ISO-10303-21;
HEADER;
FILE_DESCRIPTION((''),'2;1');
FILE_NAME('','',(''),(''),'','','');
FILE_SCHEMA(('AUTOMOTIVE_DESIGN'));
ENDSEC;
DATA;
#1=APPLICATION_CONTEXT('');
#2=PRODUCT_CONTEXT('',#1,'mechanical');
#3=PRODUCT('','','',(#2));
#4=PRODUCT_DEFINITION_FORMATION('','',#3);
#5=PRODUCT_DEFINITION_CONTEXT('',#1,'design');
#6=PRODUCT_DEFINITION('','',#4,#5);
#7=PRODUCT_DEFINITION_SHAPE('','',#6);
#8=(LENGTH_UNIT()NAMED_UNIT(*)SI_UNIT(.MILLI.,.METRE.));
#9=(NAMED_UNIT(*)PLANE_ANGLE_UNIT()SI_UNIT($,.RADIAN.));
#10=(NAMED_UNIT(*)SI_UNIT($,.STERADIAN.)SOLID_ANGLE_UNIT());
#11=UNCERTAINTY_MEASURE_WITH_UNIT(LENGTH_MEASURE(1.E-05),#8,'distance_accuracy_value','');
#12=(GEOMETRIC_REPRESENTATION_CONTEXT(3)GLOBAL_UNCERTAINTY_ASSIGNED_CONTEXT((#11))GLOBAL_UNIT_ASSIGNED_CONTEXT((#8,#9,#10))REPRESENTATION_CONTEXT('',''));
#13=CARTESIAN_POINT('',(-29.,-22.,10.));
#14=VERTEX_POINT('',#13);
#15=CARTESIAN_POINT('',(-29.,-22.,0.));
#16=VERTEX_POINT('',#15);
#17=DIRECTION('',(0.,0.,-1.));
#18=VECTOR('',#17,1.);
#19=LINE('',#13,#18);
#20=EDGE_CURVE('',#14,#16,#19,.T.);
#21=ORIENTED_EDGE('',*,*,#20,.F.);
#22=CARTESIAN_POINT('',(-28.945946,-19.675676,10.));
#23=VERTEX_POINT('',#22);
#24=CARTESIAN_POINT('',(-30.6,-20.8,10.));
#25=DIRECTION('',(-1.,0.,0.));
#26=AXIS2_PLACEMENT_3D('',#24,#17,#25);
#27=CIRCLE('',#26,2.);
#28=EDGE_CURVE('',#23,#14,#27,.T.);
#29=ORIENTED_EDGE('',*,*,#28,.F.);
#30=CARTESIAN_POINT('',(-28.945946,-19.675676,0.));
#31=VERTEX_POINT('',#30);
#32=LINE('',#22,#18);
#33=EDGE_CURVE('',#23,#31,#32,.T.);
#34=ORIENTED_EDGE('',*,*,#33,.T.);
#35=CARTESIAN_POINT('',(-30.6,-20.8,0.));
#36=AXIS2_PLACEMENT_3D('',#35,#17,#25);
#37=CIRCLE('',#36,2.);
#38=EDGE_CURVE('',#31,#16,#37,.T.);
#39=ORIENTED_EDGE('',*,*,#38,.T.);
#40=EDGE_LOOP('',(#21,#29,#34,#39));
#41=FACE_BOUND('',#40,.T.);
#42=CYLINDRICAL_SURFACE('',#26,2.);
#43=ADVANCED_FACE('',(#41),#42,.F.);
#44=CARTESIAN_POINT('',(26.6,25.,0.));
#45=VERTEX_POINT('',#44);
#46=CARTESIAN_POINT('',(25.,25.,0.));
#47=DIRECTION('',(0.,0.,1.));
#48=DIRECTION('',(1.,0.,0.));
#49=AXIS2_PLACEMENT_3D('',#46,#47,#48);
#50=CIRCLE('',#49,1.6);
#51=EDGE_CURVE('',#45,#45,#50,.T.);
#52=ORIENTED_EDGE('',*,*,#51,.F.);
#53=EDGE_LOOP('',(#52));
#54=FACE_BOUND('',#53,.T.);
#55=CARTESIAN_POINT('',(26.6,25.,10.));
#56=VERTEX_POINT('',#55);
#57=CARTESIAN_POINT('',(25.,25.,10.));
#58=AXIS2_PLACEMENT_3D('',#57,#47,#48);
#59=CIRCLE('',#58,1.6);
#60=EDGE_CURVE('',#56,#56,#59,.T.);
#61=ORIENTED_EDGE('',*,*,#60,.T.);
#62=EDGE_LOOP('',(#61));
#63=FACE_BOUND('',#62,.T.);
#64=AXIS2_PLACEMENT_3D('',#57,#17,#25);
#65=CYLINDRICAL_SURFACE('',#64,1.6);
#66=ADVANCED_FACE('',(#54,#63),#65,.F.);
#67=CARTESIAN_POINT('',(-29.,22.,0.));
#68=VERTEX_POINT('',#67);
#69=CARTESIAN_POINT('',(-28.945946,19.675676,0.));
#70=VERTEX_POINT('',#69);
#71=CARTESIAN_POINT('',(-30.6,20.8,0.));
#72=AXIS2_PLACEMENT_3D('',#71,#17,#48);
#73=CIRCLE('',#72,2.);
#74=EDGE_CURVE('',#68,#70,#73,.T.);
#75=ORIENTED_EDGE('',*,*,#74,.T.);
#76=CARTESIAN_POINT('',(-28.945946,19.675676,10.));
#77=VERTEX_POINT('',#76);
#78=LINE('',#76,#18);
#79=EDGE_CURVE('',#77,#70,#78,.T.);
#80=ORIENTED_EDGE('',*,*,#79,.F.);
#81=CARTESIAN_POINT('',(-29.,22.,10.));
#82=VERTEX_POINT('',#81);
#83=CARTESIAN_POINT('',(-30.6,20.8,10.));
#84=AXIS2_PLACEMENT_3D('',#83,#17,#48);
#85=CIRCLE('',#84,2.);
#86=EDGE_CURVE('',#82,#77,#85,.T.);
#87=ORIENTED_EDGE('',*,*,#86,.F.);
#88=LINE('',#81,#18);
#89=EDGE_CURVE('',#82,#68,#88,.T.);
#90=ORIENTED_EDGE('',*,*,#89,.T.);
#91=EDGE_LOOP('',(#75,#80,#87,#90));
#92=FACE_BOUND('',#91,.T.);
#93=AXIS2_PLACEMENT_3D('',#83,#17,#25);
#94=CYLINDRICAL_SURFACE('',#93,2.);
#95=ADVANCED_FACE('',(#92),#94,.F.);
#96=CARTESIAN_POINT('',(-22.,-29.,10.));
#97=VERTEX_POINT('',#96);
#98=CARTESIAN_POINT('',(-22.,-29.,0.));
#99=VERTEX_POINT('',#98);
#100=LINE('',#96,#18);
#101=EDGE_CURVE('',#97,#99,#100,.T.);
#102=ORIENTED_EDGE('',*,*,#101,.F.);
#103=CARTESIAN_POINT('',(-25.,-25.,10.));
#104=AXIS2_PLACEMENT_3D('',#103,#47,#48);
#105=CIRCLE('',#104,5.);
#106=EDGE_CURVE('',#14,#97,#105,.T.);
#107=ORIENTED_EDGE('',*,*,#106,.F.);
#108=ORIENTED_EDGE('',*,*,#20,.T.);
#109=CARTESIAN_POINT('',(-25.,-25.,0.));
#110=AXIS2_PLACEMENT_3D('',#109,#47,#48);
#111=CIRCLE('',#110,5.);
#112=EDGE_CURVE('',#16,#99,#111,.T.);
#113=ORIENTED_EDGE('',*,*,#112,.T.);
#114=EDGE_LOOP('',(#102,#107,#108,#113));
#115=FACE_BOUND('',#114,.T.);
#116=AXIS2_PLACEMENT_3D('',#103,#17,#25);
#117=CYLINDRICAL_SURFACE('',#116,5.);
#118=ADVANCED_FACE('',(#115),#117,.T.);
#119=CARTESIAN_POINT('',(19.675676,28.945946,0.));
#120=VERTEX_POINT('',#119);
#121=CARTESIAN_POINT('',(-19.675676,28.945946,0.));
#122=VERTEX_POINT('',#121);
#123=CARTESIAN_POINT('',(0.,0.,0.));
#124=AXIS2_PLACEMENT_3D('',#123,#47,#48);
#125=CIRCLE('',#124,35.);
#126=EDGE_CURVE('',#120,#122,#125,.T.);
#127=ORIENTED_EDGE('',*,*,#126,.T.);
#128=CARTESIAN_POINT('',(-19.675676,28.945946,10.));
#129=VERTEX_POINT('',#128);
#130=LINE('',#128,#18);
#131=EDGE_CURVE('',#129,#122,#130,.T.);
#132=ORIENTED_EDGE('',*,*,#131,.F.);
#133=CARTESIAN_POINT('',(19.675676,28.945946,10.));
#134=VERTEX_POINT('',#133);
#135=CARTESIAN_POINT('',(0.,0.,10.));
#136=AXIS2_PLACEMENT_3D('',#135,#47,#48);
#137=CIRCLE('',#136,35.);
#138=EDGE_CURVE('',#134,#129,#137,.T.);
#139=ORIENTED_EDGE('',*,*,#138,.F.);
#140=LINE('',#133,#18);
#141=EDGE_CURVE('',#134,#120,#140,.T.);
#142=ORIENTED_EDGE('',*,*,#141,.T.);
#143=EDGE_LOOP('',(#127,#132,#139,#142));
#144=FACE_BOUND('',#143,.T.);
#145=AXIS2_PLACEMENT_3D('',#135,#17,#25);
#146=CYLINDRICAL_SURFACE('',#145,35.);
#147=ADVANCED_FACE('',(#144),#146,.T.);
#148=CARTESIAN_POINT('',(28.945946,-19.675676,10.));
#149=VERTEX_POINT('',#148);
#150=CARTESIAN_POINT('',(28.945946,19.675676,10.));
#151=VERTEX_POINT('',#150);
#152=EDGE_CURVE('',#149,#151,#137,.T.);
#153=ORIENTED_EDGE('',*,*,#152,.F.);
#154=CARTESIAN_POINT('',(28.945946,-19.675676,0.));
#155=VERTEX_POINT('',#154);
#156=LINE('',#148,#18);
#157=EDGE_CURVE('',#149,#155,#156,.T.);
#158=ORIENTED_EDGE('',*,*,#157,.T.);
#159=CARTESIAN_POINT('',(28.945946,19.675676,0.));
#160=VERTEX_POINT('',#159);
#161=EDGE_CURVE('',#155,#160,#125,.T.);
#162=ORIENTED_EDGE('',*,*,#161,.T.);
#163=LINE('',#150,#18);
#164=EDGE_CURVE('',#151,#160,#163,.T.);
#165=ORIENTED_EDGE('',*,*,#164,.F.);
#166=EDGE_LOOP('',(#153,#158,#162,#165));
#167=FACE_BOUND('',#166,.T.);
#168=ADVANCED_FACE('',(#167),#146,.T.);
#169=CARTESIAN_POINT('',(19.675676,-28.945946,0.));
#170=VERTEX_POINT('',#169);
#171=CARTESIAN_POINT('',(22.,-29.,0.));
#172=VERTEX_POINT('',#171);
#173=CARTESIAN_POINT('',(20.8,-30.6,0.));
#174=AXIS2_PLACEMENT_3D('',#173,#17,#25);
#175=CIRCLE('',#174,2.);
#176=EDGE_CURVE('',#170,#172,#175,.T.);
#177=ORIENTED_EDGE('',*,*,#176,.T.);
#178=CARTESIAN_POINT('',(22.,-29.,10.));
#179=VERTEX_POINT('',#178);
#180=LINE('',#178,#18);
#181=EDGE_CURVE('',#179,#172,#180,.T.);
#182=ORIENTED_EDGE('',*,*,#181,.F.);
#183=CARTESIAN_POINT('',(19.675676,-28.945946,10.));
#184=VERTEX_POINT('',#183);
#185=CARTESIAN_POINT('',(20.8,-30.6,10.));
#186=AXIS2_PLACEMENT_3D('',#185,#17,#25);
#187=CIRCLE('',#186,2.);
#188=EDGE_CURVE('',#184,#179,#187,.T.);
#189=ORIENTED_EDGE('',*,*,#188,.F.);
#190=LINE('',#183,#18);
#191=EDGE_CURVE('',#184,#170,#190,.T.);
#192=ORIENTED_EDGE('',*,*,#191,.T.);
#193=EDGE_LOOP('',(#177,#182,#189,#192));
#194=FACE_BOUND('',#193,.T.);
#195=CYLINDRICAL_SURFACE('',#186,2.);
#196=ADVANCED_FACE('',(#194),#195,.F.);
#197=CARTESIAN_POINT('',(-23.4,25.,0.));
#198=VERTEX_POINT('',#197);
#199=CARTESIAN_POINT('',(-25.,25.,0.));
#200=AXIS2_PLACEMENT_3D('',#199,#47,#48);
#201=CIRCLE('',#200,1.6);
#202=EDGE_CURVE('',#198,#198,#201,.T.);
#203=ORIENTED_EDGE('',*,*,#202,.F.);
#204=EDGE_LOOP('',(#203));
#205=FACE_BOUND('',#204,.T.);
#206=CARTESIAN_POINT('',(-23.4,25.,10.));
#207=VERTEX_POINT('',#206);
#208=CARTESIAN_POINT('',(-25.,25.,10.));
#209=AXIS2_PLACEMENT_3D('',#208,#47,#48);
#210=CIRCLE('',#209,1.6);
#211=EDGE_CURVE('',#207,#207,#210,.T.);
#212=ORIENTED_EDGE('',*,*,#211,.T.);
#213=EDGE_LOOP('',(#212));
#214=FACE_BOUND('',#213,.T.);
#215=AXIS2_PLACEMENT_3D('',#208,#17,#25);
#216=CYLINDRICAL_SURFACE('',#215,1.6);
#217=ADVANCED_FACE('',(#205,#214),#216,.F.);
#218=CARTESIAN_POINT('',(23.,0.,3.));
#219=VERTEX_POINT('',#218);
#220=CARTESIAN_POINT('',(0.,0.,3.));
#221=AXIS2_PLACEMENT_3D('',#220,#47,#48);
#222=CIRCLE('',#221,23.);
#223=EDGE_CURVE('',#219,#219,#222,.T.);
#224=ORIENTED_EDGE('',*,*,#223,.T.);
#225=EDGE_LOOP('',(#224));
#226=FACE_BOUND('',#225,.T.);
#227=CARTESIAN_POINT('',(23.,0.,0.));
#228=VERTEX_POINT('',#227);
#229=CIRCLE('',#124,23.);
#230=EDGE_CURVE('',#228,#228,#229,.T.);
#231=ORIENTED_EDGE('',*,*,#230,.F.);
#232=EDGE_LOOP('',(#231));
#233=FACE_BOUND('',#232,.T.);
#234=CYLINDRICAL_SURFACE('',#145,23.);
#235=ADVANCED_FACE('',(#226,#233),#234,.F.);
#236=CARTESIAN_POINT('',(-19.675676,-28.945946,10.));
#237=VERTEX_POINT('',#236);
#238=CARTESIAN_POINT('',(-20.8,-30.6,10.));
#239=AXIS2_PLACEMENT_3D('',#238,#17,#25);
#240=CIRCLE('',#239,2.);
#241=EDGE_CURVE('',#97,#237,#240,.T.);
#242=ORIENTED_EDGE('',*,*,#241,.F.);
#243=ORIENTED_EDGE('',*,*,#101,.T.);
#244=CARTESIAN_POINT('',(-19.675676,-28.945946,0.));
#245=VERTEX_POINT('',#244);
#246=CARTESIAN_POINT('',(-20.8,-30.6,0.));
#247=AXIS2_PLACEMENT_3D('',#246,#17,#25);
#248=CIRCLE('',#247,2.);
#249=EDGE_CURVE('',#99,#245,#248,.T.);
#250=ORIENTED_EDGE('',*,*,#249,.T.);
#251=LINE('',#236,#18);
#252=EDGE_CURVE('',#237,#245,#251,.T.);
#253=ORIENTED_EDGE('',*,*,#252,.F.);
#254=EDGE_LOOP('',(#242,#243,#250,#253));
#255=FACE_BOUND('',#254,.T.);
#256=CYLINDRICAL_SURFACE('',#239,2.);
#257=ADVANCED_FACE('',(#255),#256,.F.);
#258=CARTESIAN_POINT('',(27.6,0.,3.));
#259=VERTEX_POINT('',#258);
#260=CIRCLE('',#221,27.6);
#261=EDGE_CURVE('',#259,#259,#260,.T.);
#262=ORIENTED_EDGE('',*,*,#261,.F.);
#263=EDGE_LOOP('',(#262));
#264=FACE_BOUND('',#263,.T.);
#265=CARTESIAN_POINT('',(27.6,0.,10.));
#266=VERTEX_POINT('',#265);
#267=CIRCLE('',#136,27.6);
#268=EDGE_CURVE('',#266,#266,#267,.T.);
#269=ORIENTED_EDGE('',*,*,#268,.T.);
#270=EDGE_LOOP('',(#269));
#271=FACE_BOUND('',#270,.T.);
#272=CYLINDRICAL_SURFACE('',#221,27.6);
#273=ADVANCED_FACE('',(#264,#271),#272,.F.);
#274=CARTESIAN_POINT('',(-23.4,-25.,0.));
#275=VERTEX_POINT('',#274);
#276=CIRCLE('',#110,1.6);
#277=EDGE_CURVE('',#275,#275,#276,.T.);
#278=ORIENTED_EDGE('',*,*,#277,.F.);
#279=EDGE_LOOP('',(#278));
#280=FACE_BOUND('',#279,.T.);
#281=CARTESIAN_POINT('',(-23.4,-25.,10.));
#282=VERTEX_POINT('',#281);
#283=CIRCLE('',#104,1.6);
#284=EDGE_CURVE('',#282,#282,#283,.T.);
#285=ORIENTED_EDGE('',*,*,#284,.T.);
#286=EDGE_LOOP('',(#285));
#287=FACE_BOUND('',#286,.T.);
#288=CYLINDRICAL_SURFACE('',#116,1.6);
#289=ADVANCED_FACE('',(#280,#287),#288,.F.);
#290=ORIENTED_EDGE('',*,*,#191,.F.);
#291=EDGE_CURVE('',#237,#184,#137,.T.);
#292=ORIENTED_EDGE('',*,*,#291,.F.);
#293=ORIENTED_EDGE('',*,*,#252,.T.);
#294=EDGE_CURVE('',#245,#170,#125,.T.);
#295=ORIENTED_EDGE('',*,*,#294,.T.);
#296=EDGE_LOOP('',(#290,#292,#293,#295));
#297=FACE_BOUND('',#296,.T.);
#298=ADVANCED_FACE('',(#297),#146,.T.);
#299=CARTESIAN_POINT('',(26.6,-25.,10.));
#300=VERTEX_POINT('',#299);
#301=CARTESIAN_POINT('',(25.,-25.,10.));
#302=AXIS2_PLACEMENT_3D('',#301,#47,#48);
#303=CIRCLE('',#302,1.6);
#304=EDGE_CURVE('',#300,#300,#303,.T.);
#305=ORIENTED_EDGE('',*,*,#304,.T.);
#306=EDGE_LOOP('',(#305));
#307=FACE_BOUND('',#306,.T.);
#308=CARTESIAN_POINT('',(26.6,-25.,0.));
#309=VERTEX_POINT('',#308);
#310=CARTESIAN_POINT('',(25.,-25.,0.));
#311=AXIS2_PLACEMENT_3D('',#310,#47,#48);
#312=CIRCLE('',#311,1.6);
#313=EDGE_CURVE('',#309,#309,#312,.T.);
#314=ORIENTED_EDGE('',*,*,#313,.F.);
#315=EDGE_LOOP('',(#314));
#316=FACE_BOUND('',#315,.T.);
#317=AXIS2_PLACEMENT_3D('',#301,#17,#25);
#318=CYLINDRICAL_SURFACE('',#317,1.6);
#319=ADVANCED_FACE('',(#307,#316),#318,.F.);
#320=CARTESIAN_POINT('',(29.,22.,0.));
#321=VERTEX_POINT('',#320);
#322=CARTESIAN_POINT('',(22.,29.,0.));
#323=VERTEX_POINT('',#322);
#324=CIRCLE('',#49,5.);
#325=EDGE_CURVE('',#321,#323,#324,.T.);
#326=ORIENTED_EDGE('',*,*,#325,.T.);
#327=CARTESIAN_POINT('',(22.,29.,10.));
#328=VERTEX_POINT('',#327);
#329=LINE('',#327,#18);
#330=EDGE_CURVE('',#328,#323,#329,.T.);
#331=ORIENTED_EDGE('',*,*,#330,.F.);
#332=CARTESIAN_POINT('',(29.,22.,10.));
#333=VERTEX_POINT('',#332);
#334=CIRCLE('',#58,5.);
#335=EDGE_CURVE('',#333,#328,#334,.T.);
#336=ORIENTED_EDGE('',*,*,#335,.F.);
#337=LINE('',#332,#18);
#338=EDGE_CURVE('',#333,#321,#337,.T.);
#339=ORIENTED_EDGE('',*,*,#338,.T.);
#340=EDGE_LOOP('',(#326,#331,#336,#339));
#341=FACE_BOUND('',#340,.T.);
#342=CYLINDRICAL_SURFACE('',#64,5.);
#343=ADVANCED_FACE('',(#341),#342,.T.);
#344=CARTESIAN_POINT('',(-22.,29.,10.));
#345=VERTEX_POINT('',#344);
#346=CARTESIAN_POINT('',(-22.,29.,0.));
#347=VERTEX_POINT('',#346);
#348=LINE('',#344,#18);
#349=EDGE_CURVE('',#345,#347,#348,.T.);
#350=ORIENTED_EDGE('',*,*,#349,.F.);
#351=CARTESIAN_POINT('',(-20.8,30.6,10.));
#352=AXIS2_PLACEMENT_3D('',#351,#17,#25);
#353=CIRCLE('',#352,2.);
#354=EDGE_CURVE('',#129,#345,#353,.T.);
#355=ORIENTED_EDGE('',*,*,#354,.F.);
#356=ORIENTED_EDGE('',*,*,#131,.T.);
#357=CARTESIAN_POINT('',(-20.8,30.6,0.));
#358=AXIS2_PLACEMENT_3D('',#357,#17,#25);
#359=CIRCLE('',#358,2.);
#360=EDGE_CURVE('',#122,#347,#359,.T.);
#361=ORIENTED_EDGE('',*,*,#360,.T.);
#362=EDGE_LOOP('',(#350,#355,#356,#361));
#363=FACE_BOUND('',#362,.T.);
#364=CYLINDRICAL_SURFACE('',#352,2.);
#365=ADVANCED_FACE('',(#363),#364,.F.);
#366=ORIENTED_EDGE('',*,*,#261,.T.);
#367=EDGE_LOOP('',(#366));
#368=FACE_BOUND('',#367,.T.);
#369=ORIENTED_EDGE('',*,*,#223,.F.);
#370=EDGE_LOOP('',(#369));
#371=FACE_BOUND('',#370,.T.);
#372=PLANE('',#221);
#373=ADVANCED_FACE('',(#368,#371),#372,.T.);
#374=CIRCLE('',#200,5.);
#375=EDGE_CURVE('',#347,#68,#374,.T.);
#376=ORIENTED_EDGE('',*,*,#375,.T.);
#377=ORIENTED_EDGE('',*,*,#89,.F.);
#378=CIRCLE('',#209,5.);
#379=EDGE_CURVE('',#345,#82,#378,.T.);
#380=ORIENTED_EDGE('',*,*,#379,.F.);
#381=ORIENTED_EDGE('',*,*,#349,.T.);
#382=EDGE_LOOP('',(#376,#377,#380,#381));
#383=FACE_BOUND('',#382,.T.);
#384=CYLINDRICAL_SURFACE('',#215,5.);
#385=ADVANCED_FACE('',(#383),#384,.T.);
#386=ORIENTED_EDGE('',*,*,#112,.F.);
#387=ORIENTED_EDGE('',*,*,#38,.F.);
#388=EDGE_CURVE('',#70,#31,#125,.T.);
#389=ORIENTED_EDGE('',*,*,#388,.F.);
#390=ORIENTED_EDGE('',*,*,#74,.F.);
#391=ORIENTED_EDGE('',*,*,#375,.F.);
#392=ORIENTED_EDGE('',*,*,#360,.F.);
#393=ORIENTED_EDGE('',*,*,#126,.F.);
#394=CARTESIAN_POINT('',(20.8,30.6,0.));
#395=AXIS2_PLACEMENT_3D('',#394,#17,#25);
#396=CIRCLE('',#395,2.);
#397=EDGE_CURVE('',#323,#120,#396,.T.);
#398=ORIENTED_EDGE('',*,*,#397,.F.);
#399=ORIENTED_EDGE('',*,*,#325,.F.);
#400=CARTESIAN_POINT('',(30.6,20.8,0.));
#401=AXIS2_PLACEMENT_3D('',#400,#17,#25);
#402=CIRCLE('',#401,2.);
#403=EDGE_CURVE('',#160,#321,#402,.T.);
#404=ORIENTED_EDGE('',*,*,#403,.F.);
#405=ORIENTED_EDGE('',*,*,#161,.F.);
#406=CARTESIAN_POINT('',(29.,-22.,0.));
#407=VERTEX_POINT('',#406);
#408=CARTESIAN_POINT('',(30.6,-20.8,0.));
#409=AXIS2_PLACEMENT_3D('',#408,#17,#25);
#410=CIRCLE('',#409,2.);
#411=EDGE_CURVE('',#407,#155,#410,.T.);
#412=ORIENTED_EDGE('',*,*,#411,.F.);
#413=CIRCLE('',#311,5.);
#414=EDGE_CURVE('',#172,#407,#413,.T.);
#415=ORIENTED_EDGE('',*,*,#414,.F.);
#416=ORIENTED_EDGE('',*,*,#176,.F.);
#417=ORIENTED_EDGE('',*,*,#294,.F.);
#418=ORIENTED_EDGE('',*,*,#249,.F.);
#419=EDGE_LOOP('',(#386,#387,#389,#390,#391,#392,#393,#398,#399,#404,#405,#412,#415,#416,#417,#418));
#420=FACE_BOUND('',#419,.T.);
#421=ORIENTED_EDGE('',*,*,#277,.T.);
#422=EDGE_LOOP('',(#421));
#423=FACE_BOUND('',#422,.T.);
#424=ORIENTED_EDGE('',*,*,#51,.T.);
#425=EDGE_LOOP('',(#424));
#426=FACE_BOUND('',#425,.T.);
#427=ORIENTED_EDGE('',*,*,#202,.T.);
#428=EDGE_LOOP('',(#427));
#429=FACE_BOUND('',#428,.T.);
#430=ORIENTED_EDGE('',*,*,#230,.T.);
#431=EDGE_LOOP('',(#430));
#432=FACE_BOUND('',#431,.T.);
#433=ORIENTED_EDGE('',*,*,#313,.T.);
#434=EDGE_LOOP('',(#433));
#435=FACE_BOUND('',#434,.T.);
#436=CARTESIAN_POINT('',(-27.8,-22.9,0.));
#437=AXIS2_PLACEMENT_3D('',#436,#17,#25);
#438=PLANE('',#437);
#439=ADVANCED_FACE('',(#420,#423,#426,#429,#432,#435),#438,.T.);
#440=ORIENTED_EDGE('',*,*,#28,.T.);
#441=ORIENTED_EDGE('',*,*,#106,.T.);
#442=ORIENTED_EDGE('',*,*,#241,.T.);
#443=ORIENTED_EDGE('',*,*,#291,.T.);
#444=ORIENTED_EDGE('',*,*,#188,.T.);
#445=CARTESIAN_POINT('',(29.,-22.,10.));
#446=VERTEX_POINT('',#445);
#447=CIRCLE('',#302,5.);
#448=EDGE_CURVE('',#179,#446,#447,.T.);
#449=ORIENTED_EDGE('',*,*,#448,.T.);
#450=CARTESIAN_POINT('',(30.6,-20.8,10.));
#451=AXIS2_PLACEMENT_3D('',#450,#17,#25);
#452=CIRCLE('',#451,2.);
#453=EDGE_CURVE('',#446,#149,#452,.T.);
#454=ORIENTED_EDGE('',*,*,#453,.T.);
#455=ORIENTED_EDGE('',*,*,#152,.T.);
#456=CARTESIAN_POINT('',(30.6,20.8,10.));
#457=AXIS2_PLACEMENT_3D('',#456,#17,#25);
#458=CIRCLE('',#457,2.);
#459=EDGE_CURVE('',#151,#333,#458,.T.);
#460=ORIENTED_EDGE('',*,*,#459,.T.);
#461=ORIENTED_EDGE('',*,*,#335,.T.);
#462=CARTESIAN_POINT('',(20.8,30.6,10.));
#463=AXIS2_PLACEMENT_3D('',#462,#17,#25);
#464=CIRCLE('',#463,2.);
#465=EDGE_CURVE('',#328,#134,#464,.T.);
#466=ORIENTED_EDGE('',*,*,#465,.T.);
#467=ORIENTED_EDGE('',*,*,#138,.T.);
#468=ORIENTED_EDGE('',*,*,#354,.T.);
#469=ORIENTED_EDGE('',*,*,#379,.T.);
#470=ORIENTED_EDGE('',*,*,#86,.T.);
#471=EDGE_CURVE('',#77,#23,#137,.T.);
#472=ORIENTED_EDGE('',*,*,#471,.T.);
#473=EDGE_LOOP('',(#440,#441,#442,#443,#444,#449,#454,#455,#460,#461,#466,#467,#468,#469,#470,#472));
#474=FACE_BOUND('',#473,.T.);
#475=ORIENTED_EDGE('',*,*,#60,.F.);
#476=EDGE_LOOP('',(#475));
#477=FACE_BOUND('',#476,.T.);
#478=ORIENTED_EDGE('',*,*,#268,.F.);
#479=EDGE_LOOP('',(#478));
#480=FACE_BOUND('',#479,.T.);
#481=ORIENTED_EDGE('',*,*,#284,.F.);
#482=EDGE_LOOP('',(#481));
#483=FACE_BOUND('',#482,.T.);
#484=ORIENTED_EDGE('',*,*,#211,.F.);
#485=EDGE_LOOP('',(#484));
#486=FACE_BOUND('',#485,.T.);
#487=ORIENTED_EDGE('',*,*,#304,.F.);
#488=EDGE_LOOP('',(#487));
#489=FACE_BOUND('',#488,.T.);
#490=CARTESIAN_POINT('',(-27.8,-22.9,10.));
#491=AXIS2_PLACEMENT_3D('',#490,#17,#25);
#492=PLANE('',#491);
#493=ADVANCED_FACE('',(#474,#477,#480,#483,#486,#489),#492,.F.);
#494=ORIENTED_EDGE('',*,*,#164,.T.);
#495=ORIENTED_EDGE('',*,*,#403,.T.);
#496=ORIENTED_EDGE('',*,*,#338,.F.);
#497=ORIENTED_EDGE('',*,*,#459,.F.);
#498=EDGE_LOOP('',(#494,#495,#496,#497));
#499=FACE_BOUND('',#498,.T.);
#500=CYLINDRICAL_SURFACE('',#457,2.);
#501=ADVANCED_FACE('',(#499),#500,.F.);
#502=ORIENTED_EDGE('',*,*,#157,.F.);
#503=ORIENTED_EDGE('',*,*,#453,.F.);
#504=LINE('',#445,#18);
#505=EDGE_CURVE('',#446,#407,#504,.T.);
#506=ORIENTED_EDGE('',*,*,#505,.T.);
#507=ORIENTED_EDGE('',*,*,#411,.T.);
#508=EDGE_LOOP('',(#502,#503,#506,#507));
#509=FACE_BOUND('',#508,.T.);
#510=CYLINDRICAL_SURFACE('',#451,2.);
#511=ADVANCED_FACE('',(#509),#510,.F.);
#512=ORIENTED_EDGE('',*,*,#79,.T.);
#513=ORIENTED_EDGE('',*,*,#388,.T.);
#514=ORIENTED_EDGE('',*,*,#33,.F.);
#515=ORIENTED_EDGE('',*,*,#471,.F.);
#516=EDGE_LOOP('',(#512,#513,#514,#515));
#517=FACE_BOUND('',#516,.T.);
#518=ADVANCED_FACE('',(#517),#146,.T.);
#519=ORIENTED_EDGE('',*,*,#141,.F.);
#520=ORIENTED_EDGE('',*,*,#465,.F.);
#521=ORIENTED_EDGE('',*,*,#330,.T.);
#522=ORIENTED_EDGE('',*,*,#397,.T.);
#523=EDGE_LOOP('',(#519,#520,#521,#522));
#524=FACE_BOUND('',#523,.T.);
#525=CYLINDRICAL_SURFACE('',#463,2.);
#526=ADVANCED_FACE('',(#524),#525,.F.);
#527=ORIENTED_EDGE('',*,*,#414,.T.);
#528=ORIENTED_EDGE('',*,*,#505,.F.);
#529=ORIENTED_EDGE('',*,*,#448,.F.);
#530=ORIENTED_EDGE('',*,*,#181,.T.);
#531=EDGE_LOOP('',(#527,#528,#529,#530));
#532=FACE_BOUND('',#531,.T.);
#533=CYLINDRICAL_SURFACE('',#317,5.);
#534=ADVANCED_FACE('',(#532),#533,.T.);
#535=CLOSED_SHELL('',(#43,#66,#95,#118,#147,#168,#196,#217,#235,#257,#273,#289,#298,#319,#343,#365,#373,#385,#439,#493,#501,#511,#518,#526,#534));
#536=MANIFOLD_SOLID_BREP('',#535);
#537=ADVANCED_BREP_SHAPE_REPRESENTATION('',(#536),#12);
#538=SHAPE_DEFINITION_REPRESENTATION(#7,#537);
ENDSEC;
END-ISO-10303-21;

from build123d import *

# Parameters (mm, degrees)
SKETCH1_R           = 23
SKETCH1_R_2         = 1.6
BOSS_EXTRUDE1_DEPTH = 10
SKETCH2_R           = 27.6
CUT_EXTRUDE1_DEPTH  = 7


with BuildPart() as part:
    # Sketch1 → Boss-Extrude1 (new body)
    with BuildSketch(Plane.XY):
        with BuildLine():
            ThreePointArc((-28.945945946, 19.675675676), (-35, 0), (-28.945945946, -19.675675676))
            ThreePointArc((-28.945945946, -19.675675676), (-28.600540614, -20.846499055), (-29, -22))
            ThreePointArc((-29, -22), (-28.535533906, -28.535533906), (-22, -29))
            ThreePointArc((-22, -29), (-20.846499055, -28.600540614), (-19.675675676, -28.945945946))
            ThreePointArc((-19.675675676, -28.945945946), (0, -35), (19.675675676, -28.945945946))
            ThreePointArc((19.675675676, -28.945945946), (20.846499055, -28.600540614), (22, -29))
            ThreePointArc((22, -29), (28.535533906, -28.535533906), (29, -22))
            ThreePointArc((29, -22), (28.600540614, -20.846499055), (28.945945946, -19.675675676))
            ThreePointArc((28.945945946, -19.675675676), (35, 0), (28.945945946, 19.675675676))
            ThreePointArc((28.945945946, 19.675675676), (28.600540614, 20.846499055), (29, 22))
            ThreePointArc((29, 22), (28.535533906, 28.535533906), (22, 29))
            ThreePointArc((22, 29), (20.846499055, 28.600540614), (19.675675676, 28.945945946))
            ThreePointArc((19.675675676, 28.945945946), (0, 35), (-19.675675676, 28.945945946))
            ThreePointArc((-19.675675676, 28.945945946), (-20.846499055, 28.600540614), (-22, 29))
            ThreePointArc((-22, 29), (-28.535533906, 28.535533906), (-29, 22))
            ThreePointArc((-29, 22), (-28.600540614, 20.846499055), (-28.945945946, 19.675675676))
        make_face()
        Circle(SKETCH1_R, mode=Mode.SUBTRACT)
        with Locations((-25, 25)):
            Circle(SKETCH1_R_2, mode=Mode.SUBTRACT)
        with Locations((25, 25)):
            Circle(SKETCH1_R_2, mode=Mode.SUBTRACT)
        with Locations((-25, -25)):
            Circle(SKETCH1_R_2, mode=Mode.SUBTRACT)
        with Locations((25, -25)):
            Circle(SKETCH1_R_2, mode=Mode.SUBTRACT)
    extrude(amount=BOSS_EXTRUDE1_DEPTH)

    # Sketch2 → Cut-Extrude1 (cut)
    with BuildSketch(Plane.XY.offset(10)):
        Circle(SKETCH2_R)
    extrude(amount=-CUT_EXTRUDE1_DEPTH, mode=Mode.SUBTRACT)


solid = part.part
